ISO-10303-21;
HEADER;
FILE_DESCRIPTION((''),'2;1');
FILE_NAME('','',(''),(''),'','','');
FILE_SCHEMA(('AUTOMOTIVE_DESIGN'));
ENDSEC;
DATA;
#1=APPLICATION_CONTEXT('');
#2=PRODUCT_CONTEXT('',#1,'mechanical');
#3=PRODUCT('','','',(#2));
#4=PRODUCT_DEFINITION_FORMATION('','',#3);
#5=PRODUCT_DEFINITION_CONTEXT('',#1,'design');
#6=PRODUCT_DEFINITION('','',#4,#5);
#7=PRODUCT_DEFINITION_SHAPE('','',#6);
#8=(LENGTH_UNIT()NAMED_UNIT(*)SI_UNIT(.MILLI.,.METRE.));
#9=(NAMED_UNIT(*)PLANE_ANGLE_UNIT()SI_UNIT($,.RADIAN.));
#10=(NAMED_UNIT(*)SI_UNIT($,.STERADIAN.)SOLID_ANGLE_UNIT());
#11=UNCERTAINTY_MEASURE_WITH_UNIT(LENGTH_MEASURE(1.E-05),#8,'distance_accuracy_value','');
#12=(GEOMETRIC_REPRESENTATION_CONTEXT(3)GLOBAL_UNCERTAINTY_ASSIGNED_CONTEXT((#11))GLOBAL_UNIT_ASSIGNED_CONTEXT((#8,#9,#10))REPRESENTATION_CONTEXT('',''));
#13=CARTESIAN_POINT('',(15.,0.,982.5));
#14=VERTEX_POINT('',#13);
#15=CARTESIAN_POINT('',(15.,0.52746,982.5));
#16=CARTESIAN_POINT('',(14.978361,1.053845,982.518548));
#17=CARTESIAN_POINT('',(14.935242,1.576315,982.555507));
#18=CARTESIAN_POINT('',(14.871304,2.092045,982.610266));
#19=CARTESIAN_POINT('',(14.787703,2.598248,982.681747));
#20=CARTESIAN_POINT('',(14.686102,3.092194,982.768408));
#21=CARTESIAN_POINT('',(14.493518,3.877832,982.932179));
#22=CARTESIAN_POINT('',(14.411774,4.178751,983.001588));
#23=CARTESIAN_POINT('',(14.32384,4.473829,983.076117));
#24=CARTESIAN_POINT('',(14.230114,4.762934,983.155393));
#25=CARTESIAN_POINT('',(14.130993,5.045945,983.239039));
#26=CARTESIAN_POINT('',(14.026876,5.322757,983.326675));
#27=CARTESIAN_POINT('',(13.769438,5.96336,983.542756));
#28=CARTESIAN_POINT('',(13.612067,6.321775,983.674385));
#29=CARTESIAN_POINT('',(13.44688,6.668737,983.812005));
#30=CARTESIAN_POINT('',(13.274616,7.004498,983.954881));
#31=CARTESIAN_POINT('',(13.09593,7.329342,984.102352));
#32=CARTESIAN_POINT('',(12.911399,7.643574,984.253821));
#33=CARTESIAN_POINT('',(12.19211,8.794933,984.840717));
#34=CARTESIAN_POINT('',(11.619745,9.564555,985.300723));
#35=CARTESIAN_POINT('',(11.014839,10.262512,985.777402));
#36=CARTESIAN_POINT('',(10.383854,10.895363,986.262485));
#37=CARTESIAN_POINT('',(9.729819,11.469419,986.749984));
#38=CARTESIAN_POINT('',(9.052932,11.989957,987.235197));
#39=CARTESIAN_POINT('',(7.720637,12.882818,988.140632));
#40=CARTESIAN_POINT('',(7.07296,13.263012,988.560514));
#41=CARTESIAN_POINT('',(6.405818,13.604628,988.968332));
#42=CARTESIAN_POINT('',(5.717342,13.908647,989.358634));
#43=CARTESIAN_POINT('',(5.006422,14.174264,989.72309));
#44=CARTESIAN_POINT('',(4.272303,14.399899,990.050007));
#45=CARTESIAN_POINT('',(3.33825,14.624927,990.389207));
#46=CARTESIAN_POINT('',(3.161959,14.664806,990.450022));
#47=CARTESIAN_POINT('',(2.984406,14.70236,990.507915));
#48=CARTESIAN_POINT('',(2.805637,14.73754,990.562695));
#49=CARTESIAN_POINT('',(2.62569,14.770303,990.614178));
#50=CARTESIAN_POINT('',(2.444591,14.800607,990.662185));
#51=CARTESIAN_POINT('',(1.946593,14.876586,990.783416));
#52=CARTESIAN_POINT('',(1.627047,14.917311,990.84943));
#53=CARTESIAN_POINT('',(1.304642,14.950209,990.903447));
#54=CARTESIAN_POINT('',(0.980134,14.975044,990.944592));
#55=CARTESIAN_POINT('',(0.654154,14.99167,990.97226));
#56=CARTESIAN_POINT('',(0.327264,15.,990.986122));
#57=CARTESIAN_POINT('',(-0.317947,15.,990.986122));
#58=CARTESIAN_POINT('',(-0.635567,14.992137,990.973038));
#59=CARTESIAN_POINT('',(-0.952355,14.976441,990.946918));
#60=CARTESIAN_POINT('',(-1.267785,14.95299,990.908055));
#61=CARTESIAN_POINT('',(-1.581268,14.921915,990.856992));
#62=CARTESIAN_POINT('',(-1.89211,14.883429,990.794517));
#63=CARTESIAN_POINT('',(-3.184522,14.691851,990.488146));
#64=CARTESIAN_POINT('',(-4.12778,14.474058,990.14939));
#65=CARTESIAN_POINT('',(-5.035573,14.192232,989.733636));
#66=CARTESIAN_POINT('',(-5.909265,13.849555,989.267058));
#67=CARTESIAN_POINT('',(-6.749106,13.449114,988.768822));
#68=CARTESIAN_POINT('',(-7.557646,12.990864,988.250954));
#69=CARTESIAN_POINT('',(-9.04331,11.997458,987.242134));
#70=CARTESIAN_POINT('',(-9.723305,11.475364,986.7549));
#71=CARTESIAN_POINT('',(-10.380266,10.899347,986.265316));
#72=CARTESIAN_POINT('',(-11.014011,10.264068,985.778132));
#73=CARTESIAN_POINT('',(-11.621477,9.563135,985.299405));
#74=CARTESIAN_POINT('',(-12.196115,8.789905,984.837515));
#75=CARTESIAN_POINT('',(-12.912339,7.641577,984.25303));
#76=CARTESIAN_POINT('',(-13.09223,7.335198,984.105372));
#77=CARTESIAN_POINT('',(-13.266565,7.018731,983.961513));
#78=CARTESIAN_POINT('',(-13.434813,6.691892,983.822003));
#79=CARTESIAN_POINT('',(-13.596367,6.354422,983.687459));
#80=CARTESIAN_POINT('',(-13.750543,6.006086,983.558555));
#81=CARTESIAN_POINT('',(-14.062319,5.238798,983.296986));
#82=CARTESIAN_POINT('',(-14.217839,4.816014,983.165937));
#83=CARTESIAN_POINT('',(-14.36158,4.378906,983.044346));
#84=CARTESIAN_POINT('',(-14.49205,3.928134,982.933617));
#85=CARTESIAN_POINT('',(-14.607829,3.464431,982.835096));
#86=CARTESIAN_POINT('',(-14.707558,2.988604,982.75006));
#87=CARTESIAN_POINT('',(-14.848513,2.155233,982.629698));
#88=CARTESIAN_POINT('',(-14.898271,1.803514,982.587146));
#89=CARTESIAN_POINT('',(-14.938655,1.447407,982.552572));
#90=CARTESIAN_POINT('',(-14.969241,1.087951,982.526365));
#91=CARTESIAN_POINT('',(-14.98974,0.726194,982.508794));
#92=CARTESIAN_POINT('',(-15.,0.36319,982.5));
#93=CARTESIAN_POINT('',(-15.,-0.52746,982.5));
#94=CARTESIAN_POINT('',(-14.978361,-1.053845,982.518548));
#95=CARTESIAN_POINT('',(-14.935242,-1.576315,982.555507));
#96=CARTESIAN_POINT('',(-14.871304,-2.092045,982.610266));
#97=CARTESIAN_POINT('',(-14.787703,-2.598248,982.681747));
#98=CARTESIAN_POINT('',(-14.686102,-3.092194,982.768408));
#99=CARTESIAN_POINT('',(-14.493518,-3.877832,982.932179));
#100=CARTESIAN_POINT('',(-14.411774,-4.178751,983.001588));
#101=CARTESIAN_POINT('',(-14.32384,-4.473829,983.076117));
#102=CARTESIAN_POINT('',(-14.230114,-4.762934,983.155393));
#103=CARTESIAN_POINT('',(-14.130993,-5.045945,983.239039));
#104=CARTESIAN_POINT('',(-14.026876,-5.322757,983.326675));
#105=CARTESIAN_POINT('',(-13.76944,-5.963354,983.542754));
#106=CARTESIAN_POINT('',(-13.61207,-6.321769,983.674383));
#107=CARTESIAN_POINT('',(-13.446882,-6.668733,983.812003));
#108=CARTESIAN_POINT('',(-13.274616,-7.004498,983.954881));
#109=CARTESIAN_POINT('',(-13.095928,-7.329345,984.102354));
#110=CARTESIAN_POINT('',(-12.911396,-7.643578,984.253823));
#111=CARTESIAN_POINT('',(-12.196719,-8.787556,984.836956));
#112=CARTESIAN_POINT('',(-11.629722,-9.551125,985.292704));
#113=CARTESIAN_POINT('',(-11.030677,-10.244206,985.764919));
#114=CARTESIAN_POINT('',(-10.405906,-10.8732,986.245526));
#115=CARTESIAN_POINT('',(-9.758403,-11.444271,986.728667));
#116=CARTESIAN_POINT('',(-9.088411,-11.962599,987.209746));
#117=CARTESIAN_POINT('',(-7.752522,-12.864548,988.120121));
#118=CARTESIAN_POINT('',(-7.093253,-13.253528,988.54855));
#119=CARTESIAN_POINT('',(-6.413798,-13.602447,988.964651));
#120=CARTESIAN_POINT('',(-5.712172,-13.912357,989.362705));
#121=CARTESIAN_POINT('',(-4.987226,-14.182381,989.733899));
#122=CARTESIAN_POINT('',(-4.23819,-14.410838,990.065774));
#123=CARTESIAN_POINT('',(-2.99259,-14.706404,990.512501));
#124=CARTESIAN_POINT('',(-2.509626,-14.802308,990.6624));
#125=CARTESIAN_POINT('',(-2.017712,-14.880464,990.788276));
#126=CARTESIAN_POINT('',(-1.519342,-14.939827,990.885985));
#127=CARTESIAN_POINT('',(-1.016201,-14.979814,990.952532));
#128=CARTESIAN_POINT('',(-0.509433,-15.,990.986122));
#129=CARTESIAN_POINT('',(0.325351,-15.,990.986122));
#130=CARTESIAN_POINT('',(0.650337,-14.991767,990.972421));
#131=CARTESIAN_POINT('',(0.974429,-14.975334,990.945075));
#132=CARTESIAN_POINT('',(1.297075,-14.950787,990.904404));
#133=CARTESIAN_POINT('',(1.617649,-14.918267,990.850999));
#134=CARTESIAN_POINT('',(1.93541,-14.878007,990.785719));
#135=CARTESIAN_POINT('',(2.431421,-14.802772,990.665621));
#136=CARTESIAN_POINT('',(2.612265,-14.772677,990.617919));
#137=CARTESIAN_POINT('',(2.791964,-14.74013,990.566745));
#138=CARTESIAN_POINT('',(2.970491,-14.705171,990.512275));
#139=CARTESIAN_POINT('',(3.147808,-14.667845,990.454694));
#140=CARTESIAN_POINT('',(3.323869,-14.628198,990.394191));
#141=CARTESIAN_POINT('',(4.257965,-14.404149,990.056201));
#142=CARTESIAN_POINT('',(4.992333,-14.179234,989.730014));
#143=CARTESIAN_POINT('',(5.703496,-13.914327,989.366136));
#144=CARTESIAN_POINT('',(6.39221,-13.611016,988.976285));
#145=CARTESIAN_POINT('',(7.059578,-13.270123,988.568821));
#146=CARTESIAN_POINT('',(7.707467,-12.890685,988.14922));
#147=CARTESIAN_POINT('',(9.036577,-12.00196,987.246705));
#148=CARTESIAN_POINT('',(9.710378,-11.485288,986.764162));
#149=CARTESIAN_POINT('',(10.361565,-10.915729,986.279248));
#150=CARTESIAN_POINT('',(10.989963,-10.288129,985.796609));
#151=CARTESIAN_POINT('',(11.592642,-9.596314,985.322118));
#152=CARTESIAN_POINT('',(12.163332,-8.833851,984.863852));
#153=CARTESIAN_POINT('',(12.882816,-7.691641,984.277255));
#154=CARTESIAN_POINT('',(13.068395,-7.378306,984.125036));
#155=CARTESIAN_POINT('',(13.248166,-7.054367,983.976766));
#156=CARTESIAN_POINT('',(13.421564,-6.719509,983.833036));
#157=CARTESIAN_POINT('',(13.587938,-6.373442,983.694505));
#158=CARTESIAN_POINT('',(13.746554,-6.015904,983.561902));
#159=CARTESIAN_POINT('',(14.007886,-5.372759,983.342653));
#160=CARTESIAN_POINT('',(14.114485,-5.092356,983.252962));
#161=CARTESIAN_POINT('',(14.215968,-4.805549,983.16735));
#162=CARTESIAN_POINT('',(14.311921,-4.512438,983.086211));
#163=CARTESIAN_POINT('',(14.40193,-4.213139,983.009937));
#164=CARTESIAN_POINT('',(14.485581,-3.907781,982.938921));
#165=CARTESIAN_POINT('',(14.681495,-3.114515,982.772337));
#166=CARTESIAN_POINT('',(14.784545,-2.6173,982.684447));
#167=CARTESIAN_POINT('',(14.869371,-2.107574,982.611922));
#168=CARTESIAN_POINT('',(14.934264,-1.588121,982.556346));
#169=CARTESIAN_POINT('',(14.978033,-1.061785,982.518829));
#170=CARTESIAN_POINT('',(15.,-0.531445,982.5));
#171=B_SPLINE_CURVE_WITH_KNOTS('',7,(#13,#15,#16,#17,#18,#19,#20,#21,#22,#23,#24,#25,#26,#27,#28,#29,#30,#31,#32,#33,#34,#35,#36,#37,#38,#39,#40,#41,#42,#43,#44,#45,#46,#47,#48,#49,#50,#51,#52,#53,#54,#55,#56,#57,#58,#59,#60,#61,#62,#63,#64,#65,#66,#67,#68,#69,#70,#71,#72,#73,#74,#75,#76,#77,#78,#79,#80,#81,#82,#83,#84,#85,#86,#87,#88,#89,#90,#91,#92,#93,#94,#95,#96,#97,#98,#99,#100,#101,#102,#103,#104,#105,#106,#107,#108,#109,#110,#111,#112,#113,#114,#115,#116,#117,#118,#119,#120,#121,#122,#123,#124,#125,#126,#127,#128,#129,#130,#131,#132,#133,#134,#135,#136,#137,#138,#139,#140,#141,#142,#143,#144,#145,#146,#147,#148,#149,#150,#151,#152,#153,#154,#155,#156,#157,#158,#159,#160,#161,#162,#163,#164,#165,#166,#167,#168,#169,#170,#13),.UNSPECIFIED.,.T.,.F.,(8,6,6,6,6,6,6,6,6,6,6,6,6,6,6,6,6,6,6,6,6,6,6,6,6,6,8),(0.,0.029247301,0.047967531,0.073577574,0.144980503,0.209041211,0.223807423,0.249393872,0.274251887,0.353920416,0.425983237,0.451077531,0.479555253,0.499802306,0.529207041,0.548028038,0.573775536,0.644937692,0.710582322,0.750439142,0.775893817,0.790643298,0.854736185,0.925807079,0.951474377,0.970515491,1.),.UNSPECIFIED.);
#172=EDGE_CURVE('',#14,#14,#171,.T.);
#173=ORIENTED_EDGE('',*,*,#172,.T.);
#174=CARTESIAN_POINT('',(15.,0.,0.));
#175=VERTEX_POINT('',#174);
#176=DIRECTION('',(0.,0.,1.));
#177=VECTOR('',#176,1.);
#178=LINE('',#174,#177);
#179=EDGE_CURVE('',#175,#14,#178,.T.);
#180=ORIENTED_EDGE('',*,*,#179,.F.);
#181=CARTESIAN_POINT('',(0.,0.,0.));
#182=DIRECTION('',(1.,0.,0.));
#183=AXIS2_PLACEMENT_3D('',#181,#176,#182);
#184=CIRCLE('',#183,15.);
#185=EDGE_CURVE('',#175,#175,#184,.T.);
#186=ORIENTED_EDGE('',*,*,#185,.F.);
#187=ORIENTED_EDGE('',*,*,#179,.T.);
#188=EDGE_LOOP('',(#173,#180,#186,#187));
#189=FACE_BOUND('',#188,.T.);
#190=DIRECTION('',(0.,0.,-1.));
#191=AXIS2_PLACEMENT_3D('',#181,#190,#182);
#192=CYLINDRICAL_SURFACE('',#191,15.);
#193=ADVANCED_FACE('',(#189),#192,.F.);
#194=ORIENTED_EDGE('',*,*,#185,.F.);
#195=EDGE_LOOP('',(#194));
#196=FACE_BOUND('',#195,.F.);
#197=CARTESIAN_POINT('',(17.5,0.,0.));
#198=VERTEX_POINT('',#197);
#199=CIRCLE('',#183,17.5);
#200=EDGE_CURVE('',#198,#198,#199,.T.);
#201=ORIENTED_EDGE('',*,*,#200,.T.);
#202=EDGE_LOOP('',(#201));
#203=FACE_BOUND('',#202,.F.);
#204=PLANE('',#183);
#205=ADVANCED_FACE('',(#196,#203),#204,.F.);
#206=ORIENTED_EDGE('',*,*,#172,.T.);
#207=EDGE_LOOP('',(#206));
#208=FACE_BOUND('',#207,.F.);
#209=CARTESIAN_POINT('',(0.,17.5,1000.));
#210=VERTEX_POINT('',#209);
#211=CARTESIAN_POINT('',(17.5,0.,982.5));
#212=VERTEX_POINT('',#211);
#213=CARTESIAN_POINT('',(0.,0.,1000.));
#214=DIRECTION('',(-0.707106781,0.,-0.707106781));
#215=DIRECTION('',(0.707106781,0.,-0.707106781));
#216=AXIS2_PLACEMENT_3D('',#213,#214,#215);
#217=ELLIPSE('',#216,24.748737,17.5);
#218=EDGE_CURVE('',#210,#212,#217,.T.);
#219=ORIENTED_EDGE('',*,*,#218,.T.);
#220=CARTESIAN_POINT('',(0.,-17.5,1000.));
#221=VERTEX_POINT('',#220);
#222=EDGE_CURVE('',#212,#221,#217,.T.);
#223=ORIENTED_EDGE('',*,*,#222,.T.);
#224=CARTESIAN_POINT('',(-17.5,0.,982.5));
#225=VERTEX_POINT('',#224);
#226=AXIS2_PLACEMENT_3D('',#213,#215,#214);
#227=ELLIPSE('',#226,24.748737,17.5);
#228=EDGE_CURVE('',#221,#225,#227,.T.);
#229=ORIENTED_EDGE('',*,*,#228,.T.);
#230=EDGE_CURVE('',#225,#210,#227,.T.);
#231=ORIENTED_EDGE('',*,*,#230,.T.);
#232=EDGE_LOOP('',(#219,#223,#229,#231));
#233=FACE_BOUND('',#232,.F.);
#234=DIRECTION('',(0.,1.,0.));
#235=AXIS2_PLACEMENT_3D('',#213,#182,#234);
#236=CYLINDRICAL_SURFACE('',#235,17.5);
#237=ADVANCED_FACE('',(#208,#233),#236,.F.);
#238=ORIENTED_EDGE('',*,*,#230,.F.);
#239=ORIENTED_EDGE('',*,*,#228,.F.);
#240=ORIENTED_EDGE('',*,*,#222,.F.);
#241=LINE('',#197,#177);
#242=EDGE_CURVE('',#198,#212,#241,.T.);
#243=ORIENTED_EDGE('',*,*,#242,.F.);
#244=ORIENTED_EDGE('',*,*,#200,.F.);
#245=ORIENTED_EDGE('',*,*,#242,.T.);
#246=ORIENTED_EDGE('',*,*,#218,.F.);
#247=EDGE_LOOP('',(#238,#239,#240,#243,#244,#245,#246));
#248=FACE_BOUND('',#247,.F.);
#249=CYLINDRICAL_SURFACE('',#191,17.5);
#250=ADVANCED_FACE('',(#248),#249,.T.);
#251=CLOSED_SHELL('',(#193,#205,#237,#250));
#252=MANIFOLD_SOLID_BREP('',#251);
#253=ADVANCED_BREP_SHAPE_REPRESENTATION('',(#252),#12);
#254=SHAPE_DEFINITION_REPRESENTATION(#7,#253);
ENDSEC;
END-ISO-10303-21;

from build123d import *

# Parameters (mm, degrees)
F0_R     = 17.5
F0_R_2   = 15
F1_DEPTH = 1000
F2_R     = 17.5
F3_DEPTH = 25


with BuildPart() as f1:
    # F0 (on Top) → F1 (new body)
    with BuildSketch(Plane.XY):
        Circle(F0_R)
        Circle(F0_R_2, mode=Mode.SUBTRACT)
    extrude(amount=F1_DEPTH)

    # F2 (on Right) → F3 (cut, symmetric)
    with BuildSketch(Plane.YZ):
        with Locations((0, 1000)):
            Circle(F2_R)
    extrude(amount=F3_DEPTH, both=True, mode=Mode.SUBTRACT)


solid = f1.part
